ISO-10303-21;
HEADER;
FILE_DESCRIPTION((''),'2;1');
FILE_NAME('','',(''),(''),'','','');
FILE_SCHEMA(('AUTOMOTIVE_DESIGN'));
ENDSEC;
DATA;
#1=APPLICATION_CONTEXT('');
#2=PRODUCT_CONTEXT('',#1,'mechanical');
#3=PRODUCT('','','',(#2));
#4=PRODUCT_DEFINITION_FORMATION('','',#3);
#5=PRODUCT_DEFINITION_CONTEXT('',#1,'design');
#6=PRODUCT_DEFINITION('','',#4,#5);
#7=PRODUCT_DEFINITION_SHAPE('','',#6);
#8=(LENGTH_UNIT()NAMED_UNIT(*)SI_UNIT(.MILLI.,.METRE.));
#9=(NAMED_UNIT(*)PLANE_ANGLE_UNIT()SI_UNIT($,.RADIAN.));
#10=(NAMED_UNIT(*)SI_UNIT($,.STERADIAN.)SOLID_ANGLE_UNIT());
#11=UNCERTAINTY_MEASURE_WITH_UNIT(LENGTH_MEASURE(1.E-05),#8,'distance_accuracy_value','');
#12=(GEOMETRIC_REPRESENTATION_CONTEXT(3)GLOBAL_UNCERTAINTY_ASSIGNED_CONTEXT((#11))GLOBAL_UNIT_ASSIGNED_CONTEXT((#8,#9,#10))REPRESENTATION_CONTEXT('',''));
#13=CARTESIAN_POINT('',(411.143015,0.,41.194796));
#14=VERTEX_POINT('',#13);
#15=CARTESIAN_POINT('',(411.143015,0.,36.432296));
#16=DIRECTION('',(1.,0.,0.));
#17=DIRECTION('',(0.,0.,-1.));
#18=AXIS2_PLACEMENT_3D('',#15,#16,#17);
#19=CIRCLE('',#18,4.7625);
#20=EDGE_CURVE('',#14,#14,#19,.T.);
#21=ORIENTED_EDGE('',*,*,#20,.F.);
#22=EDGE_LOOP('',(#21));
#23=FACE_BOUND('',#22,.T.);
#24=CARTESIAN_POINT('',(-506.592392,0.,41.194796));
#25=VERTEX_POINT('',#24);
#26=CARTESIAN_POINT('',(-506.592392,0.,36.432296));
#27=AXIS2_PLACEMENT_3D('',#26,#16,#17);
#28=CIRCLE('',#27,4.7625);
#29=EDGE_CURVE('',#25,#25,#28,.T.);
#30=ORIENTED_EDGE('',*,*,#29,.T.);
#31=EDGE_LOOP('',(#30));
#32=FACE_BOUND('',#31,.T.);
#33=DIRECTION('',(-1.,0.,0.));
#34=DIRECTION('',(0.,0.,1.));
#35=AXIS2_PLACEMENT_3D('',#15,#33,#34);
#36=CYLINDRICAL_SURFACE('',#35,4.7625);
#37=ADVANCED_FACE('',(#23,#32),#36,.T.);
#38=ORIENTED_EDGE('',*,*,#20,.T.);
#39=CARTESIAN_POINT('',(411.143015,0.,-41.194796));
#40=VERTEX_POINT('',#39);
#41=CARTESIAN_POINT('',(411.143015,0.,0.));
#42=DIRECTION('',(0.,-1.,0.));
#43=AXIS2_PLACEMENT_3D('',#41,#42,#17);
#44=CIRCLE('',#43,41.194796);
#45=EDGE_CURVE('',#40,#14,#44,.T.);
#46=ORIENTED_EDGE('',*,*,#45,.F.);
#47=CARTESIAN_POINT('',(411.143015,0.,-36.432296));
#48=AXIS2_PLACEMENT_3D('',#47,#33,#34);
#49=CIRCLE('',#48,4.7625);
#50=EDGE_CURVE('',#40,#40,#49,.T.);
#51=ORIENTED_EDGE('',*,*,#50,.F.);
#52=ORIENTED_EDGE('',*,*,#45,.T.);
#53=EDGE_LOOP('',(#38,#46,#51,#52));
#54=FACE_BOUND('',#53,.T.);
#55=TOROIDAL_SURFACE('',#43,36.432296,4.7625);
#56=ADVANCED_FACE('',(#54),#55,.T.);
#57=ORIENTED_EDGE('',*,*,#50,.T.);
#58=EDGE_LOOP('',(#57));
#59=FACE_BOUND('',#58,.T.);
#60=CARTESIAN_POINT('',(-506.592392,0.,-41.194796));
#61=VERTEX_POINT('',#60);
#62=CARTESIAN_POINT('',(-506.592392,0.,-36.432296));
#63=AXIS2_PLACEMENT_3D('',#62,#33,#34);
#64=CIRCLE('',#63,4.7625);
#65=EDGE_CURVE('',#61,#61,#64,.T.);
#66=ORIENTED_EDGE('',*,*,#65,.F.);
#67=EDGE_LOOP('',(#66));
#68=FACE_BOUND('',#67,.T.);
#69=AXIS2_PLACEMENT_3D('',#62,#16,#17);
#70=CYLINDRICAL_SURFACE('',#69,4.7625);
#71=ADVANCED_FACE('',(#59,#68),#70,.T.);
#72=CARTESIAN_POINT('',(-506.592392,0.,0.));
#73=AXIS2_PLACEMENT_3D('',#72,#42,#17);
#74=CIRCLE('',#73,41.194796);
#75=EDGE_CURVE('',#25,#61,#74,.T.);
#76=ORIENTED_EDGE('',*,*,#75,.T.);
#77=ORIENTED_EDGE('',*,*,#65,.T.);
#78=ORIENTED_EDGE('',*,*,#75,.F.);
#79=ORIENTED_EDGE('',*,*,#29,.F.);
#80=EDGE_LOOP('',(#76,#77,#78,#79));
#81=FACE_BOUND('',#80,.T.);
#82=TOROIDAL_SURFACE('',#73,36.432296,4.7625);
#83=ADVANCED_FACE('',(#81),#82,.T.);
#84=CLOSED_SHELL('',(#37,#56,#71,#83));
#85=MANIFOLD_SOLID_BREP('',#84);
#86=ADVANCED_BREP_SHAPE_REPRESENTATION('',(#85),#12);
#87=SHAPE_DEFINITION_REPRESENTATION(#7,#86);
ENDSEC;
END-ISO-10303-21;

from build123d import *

# Parameters (mm, degrees)
SWEEP1_PROFILE_R = 4.7625


with BuildPart() as part:
    # Sweep1: sweep along a path in Sketch5
    with BuildLine(Plane(origin=(0, 0, 0), x_dir=(1, 0, 0), z_dir=(0, 1, 0))) as sweep1_path:
        Line((-506.592392013, 36.432296465), (411.143015057, 36.432296465))
        ThreePointArc((411.143015057, 36.432296465), (447.575311522, 0), (411.143015057, -36.432296465))
        Line((411.143015057, -36.432296465), (-506.592392013, -36.432296465))
        ThreePointArc((-506.592392013, -36.432296465), (-543.024688478, 0), (-506.592392013, 36.432296465))
    # Sweep1 profile (on start of the path) → Sweep1 (sweep)
    with BuildSketch(Plane(origin=(-506.592392013, 0, -36.432296465), x_dir=(0, 0, 1), z_dir=(1, 0, 0))):
        Circle(SWEEP1_PROFILE_R)
    sweep(path=sweep1_path.line)


solid = part.part
